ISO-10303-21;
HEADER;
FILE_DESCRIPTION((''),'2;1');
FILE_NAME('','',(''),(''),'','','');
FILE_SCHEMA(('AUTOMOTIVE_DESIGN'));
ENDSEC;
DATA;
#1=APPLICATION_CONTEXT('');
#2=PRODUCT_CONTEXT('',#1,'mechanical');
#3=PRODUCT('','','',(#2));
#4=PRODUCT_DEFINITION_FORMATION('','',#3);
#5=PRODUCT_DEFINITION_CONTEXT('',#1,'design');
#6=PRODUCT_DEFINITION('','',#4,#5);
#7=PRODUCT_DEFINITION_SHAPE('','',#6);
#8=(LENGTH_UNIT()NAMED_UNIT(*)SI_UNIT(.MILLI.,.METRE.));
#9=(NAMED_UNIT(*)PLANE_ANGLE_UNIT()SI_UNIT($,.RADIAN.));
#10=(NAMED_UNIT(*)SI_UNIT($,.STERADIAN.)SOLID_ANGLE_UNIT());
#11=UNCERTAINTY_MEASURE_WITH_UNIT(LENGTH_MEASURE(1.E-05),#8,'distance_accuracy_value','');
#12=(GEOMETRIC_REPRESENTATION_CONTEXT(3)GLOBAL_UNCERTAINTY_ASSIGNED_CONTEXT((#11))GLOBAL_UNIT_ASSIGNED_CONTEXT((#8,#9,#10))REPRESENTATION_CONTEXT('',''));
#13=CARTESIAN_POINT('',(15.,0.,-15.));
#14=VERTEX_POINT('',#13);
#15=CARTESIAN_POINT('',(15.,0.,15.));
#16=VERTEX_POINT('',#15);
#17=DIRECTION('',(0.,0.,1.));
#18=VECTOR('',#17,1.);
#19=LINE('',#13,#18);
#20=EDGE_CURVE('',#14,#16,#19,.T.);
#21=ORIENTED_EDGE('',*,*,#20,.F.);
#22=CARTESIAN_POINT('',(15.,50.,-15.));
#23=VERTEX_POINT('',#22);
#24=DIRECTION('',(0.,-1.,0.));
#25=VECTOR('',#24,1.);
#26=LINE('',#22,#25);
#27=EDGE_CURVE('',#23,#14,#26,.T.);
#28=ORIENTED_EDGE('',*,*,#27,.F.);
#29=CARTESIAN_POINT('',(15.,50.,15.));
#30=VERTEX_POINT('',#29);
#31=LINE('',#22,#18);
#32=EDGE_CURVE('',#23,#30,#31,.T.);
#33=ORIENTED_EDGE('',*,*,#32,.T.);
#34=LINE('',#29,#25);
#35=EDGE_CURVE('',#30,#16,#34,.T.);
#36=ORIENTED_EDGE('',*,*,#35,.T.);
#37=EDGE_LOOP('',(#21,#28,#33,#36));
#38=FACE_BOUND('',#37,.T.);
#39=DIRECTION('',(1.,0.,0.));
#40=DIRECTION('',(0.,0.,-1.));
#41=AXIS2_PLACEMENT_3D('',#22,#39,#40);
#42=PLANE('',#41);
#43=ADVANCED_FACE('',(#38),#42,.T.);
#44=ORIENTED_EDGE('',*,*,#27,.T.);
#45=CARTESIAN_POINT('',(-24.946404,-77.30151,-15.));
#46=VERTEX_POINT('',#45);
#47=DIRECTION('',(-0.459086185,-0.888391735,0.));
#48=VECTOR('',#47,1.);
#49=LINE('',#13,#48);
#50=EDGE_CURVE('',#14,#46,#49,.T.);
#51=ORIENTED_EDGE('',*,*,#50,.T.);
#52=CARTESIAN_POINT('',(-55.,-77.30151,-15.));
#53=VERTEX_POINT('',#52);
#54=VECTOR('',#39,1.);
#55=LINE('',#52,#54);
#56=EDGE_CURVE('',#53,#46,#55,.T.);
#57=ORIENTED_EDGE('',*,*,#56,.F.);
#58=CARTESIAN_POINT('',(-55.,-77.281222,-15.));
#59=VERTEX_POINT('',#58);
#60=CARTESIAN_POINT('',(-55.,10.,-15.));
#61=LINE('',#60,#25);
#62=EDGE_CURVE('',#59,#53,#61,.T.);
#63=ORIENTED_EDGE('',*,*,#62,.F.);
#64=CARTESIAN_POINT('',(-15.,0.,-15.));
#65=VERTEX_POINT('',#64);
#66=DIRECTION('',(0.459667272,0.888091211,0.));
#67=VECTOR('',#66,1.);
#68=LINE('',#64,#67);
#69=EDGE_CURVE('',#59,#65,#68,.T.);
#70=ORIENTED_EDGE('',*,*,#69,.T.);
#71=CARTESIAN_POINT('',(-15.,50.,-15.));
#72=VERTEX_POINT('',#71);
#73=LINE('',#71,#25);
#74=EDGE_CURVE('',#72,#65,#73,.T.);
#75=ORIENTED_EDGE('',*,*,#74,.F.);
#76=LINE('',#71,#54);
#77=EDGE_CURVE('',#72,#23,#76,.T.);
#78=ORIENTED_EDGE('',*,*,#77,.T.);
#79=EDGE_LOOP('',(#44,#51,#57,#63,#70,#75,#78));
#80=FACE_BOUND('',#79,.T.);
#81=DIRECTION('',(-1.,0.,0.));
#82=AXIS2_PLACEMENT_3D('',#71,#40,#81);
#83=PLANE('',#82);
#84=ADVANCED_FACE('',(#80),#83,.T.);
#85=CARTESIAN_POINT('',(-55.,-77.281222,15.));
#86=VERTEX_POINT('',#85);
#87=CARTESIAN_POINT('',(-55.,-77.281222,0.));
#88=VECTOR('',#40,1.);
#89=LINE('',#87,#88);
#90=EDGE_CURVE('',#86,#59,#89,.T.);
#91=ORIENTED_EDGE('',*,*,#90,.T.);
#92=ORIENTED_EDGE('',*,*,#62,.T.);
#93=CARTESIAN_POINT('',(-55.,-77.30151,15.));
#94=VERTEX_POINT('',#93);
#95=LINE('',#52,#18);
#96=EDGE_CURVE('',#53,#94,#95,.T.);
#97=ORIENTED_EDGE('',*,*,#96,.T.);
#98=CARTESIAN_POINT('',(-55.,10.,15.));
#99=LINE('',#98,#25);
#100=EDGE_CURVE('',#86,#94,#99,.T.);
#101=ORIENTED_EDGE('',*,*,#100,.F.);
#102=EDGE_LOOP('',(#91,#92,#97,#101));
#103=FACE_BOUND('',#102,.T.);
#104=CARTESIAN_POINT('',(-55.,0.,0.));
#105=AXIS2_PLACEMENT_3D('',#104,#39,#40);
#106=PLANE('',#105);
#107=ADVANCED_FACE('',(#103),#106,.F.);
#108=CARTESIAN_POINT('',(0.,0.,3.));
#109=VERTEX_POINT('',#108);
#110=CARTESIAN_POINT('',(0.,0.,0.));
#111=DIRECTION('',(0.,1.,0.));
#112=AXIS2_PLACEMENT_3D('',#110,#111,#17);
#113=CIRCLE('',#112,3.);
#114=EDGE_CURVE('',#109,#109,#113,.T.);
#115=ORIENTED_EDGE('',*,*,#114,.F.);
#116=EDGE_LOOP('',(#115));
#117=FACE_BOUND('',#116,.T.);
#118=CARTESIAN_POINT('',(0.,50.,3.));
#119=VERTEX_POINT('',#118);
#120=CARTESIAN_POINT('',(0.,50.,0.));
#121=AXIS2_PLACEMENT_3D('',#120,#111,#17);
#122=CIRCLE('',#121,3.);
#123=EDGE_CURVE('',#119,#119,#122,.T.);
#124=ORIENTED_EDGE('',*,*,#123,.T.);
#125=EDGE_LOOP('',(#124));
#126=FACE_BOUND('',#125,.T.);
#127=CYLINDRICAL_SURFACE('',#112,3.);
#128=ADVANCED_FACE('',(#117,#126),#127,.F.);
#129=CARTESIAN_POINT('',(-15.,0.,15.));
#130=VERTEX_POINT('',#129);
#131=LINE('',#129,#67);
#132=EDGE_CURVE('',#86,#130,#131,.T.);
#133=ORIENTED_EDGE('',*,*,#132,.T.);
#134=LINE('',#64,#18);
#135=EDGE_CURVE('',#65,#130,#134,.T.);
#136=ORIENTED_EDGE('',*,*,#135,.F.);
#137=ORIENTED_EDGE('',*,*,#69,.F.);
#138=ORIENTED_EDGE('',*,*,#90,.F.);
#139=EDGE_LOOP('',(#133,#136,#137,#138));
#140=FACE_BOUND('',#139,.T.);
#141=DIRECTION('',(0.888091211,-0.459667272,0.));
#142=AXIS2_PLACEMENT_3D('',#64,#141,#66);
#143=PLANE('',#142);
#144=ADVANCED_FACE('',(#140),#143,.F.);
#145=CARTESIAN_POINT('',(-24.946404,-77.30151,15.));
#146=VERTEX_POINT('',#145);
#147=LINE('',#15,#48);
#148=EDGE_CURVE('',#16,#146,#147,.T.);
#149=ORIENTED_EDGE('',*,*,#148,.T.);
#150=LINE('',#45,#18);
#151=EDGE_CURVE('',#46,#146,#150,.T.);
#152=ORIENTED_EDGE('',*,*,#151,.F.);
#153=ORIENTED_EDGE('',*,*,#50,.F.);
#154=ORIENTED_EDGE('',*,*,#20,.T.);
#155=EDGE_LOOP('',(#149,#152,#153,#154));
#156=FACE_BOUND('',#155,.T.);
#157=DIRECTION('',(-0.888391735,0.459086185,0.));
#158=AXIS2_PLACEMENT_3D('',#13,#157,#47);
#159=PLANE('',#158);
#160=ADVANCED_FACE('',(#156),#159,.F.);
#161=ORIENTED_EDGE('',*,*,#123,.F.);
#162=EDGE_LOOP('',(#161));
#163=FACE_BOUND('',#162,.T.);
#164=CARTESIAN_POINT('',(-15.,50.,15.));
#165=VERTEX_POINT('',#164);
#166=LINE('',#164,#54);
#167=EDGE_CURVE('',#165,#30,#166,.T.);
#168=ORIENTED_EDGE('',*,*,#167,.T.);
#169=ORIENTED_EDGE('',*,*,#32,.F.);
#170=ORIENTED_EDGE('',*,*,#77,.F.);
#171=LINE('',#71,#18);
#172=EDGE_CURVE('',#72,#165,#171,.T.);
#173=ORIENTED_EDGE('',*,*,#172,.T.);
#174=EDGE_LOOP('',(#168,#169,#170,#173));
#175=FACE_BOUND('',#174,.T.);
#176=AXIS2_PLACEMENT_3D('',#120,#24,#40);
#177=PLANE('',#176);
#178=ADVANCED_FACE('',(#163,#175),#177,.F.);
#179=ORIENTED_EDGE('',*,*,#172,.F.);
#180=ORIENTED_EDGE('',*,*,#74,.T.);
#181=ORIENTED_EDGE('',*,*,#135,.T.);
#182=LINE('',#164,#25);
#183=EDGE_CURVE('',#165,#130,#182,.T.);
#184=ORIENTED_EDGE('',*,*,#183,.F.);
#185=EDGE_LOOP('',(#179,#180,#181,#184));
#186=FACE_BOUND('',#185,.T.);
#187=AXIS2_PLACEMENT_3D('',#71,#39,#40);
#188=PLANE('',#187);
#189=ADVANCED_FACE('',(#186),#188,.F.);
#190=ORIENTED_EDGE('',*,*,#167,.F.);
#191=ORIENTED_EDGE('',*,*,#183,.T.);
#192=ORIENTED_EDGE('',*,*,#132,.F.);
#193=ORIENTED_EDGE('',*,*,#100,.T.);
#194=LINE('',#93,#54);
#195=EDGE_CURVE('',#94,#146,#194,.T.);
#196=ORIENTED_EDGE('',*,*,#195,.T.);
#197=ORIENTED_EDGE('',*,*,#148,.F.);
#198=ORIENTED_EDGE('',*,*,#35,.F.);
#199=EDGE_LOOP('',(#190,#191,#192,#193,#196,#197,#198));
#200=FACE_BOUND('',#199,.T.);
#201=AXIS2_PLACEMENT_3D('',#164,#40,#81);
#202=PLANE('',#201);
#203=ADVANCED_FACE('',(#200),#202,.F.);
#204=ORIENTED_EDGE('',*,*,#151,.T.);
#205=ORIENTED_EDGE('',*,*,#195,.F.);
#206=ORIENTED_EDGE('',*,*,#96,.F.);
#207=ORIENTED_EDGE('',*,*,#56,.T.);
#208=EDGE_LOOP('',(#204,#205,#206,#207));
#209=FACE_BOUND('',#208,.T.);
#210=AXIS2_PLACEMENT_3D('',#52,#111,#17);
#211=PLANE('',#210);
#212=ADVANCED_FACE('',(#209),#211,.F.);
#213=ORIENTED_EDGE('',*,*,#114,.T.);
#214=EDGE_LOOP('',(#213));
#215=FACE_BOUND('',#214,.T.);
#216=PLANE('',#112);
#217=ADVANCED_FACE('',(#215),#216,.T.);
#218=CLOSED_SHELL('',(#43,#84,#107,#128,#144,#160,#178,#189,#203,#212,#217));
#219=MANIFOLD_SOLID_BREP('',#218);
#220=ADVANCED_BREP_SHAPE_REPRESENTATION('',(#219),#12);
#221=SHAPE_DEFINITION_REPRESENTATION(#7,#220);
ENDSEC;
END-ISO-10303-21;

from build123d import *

# Parameters (mm, degrees)
SKETCH_1_W          = 30
SKETCH_1_H          = 30
EXTRUDE_1_DEPTH     = 50
SKETCH_3_W          = 30
SKETCH_3_H          = 87.301509621
EXTRUDE_2_DEPTH     = 40
SKETCH_4_W          = 30
SKETCH_4_H          = 77.301509621
EXTRUDE_3_DEPTH     = 30
SKETCH_7_W          = 40
SKETCH_7_H          = 10
CUT_EXTRUDE_1_DEPTH = 30
CUT_EXTRUDE_2_DEPTH = 30
CUT_EXTRUDE_5_DEPTH = 30
SKETCH_21_R         = 3
CUT_EXTRUDE_6_DEPTH = 50


with BuildPart() as part:
    # 草图1 → 凸台-拉伸1 (new body)
    with BuildSketch(Plane(origin=(0, 0, 0), x_dir=(1, 0, 0), z_dir=(0, 1, 0))):
        Rectangle(SKETCH_1_W, SKETCH_1_H)
    extrude(amount=EXTRUDE_1_DEPTH)

    # 草图3 → 凸台-拉伸2 (add)
    with BuildSketch(Plane.ZY.offset(15)):
        with Locations((0, -33.650754811)):
            Rectangle(SKETCH_3_W, SKETCH_3_H)
    extrude(amount=EXTRUDE_2_DEPTH)

    # 草图4 → 凸台-拉伸3 (add)
    with BuildSketch(Plane(origin=(-15, 0, 0), x_dir=(0, 0, -1), z_dir=(1, 0, 0))):
        with Locations((0, -38.650754811)):
            Rectangle(SKETCH_4_W, SKETCH_4_H)
    extrude(amount=EXTRUDE_3_DEPTH)

    # 草图7 → 切除-拉伸1 (cut)
    with BuildSketch(Plane.XY.offset(15)):
        with Locations((-35, 5)):
            Rectangle(SKETCH_7_W, SKETCH_7_H)
    extrude(amount=-CUT_EXTRUDE_1_DEPTH, mode=Mode.SUBTRACT)

    # 草图8 → 切除-拉伸2 (cut)
    with BuildSketch(Plane.XY.offset(15)):
        Polygon((-15, 0), (-55, 0), (-95.241358959, -77.747534748), (-55.241358959, -77.747534748), align=None)
    extrude(amount=-CUT_EXTRUDE_2_DEPTH, mode=Mode.SUBTRACT)

    # 草图9 → 切除-拉伸5 (cut)
    with BuildSketch(Plane.XY.offset(15)):
        Polygon((15, 0), (-26.125228954, -79.582689845), (25.626144769, -79.582689845), (66.751373723, 0), align=None)
    extrude(amount=-CUT_EXTRUDE_5_DEPTH, mode=Mode.SUBTRACT)

    # 草图21 → 切除-拉伸6 (cut)
    with BuildSketch(Plane(origin=(0, 50, 0), x_dir=(1, 0, 0), z_dir=(0, 1, 0))):
        with Locations(Location((0, 0, 0), (0, 0, 270))):
            Circle(SKETCH_21_R)
    extrude(amount=-CUT_EXTRUDE_6_DEPTH, mode=Mode.SUBTRACT)


solid = part.part
